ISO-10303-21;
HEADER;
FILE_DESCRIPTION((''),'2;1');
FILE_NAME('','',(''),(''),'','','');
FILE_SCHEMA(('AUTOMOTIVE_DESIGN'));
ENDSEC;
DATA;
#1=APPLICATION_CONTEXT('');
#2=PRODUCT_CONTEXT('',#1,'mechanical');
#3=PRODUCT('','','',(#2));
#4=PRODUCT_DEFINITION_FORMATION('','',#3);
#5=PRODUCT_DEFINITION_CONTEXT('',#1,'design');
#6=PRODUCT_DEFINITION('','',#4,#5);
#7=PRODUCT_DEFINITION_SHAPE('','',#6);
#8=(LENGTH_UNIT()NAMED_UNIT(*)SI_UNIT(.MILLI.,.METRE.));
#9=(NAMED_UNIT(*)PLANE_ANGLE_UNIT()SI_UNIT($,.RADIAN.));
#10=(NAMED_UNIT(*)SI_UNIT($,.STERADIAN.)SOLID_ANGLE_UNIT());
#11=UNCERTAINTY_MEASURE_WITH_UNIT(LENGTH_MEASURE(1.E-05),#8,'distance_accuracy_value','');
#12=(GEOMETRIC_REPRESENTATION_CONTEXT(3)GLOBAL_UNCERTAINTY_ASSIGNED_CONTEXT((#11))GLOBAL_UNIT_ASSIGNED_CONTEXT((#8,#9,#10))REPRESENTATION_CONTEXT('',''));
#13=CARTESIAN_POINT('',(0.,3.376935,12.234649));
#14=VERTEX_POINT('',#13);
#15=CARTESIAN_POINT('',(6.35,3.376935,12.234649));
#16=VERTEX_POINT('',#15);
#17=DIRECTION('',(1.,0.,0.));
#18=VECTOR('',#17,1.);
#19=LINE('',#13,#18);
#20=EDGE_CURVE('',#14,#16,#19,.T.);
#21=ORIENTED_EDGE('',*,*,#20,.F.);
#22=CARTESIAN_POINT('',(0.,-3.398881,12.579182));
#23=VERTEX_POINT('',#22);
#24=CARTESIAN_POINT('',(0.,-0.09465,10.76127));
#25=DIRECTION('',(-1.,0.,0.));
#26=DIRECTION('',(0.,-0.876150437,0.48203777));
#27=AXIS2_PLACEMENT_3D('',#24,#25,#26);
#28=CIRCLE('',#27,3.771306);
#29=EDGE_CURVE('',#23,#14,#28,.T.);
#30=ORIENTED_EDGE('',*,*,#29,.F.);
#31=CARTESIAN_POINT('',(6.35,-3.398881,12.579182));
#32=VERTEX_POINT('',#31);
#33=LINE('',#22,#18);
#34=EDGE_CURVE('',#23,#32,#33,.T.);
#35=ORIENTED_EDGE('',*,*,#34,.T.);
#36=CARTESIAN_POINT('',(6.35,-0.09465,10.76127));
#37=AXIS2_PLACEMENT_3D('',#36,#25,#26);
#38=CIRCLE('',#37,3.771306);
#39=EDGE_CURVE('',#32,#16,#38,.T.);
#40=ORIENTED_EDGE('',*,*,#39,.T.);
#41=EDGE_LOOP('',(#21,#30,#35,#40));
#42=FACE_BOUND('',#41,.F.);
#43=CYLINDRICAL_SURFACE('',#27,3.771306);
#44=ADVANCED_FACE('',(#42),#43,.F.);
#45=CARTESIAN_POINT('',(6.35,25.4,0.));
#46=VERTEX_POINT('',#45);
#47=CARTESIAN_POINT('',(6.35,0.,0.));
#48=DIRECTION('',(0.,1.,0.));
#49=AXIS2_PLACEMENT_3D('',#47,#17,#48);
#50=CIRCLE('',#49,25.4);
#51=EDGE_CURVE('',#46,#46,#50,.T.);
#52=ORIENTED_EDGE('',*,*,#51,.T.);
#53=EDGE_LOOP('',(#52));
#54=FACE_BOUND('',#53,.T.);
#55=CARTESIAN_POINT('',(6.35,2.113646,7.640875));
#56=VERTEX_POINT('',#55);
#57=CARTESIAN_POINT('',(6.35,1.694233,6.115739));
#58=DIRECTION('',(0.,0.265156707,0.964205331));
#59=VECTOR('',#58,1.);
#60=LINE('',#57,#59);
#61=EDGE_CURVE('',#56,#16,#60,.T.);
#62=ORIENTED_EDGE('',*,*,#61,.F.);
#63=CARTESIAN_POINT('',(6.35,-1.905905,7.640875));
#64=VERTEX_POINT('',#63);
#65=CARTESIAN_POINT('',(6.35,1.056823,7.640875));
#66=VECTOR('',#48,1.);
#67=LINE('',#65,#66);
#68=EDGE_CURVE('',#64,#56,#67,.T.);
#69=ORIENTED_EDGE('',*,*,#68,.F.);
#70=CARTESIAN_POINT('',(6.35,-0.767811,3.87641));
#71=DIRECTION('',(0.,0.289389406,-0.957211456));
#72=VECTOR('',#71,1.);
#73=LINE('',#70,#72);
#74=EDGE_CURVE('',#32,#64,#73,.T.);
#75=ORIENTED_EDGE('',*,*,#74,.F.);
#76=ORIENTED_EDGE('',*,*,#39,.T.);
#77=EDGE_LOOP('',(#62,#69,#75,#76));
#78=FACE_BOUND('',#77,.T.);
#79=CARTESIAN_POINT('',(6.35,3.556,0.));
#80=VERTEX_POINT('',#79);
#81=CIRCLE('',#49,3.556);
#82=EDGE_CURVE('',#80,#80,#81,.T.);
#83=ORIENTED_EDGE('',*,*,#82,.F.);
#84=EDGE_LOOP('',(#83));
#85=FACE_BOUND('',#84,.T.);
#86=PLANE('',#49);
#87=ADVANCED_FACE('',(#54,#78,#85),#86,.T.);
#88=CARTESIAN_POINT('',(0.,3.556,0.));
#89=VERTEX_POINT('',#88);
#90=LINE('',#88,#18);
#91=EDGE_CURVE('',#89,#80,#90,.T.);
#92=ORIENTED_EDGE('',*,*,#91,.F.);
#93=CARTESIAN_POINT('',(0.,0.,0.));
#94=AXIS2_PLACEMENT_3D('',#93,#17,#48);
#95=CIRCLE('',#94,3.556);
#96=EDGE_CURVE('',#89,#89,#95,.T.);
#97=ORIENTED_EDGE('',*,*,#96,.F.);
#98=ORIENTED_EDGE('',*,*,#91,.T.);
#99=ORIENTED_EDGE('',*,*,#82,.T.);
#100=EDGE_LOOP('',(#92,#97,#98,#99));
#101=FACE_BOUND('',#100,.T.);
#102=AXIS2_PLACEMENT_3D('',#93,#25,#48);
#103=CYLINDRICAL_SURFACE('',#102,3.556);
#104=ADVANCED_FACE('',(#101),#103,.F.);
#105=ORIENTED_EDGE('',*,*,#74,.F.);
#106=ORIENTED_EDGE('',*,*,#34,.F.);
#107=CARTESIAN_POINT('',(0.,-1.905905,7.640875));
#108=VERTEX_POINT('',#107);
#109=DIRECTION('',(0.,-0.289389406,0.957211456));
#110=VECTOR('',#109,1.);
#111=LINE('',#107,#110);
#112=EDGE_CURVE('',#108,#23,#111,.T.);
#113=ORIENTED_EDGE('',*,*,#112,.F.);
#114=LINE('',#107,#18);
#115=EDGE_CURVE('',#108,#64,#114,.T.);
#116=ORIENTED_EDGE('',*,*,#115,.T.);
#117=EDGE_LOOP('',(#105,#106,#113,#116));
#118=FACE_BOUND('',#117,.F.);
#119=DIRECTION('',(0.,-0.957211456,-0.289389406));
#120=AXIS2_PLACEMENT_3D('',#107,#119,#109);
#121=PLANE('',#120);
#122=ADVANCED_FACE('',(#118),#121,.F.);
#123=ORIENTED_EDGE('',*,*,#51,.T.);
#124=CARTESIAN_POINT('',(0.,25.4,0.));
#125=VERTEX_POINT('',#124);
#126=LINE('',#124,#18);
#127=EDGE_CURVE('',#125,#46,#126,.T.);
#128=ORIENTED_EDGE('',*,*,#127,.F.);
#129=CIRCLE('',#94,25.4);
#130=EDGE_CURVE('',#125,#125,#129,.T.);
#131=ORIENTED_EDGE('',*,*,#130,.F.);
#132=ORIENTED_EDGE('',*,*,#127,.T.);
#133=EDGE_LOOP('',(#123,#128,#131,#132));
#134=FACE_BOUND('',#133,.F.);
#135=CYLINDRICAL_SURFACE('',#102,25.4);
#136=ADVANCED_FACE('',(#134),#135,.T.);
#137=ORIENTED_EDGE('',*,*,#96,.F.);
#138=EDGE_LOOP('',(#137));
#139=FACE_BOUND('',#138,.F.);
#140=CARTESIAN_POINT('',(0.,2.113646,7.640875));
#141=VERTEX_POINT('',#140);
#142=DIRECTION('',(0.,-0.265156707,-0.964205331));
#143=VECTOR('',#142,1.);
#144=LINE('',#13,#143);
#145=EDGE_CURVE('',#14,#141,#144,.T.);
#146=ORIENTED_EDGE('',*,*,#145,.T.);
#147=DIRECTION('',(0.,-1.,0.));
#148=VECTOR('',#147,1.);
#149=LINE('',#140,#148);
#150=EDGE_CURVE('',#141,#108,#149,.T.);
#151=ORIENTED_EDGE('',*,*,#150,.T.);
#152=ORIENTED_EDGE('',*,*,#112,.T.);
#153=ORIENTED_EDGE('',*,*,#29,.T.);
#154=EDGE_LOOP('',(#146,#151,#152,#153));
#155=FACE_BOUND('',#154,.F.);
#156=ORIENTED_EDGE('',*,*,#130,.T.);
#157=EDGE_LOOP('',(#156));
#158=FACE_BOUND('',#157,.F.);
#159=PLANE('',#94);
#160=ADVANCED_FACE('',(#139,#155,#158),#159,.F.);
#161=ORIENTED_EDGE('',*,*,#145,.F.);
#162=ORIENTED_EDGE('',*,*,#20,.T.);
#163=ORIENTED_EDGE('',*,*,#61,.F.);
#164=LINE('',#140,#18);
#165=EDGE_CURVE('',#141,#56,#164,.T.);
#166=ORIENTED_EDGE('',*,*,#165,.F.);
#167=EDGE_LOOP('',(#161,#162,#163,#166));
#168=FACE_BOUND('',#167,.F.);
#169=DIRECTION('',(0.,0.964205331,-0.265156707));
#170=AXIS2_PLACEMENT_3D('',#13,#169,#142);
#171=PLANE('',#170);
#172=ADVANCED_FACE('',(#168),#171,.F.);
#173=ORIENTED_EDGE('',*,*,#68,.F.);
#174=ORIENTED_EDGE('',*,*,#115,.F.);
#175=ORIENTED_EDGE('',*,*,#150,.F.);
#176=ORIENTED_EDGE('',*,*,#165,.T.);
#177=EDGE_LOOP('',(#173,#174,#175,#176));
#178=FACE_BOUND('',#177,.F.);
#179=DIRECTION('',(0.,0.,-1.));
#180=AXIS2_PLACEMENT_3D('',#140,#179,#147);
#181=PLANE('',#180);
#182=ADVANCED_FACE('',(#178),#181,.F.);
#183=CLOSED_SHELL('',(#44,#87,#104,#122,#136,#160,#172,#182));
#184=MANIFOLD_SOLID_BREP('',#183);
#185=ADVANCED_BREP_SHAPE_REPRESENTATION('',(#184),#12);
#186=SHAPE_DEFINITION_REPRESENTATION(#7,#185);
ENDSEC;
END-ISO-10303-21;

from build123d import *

# Parameters (mm, degrees)
F0_R     = 25.4
F0_R_2   = 3.556
F1_DEPTH = 6.35
F3_DEPTH = 76.2


with BuildPart() as f1:
    # F0 (on Right) → F1 (new body)
    with BuildSketch(Plane.YZ):
        Circle(F0_R)
        Circle(F0_R_2, mode=Mode.SUBTRACT)
    extrude(amount=F1_DEPTH)

    # F2 (on face) → F3 (cut)
    with BuildSketch(Plane(origin=(0, 0, 0), x_dir=(0, -1, 0), z_dir=(-1, 0, 0))):
        with BuildLine():
            Line((-3.376935, 12.234649), (-2.113646, 7.640875))
            Line((-2.113646, 7.640875), (1.905905, 7.640875))
            Line((1.905905, 7.640875), (3.398881, 12.579182))
            ThreePointArc((3.398881, 12.579182), (-0.096865, 14.52771), (-3.376935, 12.234649))
        make_face()
    extrude(amount=-F3_DEPTH, mode=Mode.SUBTRACT)


solid = f1.part
